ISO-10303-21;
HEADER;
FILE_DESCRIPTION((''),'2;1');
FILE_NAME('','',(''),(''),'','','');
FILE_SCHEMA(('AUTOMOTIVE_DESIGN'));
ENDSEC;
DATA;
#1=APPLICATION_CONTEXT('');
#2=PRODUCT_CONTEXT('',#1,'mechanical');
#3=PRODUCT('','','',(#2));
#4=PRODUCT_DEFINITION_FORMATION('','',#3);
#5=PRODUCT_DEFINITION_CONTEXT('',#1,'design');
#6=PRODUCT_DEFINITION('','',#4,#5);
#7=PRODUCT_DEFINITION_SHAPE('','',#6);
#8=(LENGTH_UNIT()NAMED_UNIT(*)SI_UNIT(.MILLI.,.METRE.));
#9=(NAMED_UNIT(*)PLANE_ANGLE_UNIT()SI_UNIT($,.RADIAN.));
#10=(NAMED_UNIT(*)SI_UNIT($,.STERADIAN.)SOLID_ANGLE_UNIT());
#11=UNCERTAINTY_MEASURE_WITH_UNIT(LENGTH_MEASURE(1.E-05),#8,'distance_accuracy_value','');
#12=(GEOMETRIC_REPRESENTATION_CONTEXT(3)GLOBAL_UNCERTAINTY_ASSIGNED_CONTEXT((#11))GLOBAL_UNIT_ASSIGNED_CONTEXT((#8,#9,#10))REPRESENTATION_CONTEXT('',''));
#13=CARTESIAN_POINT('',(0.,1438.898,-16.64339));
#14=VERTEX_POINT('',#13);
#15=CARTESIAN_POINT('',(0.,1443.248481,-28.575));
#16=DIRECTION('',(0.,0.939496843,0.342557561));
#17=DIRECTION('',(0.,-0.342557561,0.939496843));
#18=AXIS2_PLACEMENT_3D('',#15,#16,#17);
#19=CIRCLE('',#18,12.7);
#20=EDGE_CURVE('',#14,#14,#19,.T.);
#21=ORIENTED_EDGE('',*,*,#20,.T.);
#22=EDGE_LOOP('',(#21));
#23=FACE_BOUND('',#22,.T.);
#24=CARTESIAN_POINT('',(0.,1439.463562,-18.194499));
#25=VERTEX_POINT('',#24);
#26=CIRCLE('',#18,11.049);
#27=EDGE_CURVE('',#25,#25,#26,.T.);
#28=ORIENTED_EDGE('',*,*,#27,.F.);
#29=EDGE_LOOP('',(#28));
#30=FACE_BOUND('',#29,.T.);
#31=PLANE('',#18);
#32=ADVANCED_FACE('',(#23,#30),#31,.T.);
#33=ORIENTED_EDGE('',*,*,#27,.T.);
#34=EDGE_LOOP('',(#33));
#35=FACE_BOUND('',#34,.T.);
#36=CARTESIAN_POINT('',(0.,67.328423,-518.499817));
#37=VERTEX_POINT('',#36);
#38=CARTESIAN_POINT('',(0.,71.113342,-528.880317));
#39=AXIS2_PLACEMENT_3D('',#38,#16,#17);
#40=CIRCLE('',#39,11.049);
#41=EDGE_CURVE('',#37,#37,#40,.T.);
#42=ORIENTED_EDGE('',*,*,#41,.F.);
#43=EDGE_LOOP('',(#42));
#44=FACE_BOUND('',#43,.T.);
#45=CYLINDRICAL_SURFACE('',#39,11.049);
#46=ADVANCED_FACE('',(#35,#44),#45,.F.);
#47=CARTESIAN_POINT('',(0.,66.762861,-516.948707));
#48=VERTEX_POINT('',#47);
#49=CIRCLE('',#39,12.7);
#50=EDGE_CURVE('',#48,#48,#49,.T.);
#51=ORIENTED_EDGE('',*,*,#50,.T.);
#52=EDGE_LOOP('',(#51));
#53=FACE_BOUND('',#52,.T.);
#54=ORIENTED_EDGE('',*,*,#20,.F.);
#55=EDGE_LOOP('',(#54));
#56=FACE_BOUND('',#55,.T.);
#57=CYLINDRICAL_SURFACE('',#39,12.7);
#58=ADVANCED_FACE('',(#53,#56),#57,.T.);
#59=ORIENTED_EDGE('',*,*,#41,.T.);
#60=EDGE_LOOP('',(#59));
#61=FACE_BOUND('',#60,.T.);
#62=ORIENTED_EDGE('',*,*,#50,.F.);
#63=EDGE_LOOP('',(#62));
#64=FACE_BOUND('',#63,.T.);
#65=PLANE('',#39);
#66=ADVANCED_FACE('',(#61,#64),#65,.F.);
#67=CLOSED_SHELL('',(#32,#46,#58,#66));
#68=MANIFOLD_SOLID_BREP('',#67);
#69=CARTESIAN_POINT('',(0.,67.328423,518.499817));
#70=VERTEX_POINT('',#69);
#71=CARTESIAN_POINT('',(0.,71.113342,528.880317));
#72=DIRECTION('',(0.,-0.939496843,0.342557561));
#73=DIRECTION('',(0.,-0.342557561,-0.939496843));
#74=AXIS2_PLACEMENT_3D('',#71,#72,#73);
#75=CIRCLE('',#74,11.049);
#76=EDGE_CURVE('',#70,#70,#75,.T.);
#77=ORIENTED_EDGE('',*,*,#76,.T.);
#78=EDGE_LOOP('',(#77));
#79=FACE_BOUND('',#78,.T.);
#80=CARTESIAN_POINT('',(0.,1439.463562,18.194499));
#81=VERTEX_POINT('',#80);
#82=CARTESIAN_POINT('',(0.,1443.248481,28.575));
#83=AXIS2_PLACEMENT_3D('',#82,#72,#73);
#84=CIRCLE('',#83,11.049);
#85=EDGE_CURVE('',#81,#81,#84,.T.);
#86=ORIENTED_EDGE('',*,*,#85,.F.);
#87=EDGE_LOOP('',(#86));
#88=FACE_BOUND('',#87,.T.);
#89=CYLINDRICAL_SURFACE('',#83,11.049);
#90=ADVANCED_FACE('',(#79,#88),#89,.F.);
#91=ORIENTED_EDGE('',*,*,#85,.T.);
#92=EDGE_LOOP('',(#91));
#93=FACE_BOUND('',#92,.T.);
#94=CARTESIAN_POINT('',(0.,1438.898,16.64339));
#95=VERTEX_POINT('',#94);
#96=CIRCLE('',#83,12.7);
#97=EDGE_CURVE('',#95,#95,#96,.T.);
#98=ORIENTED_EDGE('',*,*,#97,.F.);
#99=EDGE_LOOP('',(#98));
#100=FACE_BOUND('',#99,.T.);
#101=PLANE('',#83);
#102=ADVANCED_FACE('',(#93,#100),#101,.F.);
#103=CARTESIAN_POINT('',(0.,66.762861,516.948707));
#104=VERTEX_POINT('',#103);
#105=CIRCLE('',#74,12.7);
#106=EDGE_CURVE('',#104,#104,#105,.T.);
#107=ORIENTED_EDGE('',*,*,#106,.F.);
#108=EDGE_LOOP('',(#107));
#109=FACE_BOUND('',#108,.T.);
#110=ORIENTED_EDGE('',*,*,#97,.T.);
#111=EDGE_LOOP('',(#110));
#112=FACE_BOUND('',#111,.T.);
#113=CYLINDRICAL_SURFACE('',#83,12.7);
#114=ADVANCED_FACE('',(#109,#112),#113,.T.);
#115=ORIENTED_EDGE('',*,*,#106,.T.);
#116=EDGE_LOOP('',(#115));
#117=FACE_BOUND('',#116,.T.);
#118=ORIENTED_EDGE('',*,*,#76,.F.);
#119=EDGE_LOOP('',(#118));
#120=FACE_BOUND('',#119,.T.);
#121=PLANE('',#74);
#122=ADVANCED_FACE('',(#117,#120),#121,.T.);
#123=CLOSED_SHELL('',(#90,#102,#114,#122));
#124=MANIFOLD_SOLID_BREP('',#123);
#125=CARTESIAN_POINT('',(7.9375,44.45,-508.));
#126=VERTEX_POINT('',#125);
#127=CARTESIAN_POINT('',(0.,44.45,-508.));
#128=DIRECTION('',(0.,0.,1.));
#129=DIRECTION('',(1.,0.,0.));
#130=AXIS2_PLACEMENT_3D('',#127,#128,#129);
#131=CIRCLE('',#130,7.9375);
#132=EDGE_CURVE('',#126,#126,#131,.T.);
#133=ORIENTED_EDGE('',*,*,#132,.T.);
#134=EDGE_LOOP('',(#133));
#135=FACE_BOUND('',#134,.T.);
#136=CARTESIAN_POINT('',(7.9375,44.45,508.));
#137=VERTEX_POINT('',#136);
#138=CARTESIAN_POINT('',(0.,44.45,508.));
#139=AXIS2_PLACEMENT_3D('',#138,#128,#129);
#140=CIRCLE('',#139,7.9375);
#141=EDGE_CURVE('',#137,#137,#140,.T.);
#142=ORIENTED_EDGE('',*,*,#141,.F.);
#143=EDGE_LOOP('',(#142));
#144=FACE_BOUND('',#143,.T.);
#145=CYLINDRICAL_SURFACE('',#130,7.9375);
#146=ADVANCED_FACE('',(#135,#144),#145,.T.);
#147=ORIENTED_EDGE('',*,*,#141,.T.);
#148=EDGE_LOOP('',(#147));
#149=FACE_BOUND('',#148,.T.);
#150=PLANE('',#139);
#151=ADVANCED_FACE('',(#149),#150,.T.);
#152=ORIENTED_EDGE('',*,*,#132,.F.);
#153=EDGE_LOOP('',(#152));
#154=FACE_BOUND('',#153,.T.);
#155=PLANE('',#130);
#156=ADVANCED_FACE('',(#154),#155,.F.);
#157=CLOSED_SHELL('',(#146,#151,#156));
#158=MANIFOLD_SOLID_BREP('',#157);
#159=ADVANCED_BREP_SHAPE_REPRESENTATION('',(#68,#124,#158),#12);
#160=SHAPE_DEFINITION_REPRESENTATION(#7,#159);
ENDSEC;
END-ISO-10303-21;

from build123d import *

# Parameters (mm, degrees)
BOSS_EXTRUDE3_DEPTH      = 730.25
BOSS_EXTRUDE3_DEPTH_BACK = 730.25
SKETCH6_R                = 12.7
SKETCH6_R_2              = 11.049
BOSS_EXTRUDE4_DEPTH      = 730.25
BOSS_EXTRUDE4_DEPTH_BACK = 730.25
SKETCH7_R                = 12.7
SKETCH7_R_2              = 11.049
BOSS_EXTRUDE6_DEPTH      = 508
BOSS_EXTRUDE6_DEPTH_BACK = 508
SKETCH10_R               = 7.9375


with BuildPart() as part:
    # Sketch6 → Boss-Extrude3 (new, two sides: drawn at the far end of the back side and taken through both)
    with BuildSketch(Plane(origin=(0, 757.180911244, -278.727658666), x_dir=(1, 0, 0), z_dir=(0, 0.9394968428050069, 0.34255756065138043)).offset(-BOSS_EXTRUDE3_DEPTH_BACK)):
        with Locations(Location((0, 0, 0), (0, 0, 270))):
            Circle(SKETCH6_R)
        with Locations(Location((0, 0, 0), (0, 0, 270))):
            Circle(SKETCH6_R_2, mode=Mode.SUBTRACT)
    extrude(amount=BOSS_EXTRUDE3_DEPTH + BOSS_EXTRUDE3_DEPTH_BACK)


with BuildPart() as body_2:
    # Sketch7 → Boss-Extrude4 (new, two sides: drawn at the far end of the back side and taken through both)
    with BuildSketch(Plane(origin=(0, 757.180911244, 278.727658666), x_dir=(-1, 0, 0), z_dir=(0, -0.939496842805007, 0.34255756065138043)).offset(-BOSS_EXTRUDE4_DEPTH_BACK)):
        with Locations(Location((0, 0, 0), (0, 0, 90))):
            Circle(SKETCH7_R)
        with Locations(Location((0, 0, 0), (0, 0, 90))):
            Circle(SKETCH7_R_2, mode=Mode.SUBTRACT)
    extrude(amount=BOSS_EXTRUDE4_DEPTH + BOSS_EXTRUDE4_DEPTH_BACK)


with BuildPart() as body_3:
    # Sketch10 → Boss-Extrude6 (new, two sides: drawn at the far end of the back side and taken through both)
    with BuildSketch(Plane.XY.offset(-BOSS_EXTRUDE6_DEPTH_BACK)):
        with Locations((0, 44.45)):
            Circle(SKETCH10_R)
    extrude(amount=BOSS_EXTRUDE6_DEPTH + BOSS_EXTRUDE6_DEPTH_BACK)


solid = Compound([part.part, body_2.part, body_3.part])
